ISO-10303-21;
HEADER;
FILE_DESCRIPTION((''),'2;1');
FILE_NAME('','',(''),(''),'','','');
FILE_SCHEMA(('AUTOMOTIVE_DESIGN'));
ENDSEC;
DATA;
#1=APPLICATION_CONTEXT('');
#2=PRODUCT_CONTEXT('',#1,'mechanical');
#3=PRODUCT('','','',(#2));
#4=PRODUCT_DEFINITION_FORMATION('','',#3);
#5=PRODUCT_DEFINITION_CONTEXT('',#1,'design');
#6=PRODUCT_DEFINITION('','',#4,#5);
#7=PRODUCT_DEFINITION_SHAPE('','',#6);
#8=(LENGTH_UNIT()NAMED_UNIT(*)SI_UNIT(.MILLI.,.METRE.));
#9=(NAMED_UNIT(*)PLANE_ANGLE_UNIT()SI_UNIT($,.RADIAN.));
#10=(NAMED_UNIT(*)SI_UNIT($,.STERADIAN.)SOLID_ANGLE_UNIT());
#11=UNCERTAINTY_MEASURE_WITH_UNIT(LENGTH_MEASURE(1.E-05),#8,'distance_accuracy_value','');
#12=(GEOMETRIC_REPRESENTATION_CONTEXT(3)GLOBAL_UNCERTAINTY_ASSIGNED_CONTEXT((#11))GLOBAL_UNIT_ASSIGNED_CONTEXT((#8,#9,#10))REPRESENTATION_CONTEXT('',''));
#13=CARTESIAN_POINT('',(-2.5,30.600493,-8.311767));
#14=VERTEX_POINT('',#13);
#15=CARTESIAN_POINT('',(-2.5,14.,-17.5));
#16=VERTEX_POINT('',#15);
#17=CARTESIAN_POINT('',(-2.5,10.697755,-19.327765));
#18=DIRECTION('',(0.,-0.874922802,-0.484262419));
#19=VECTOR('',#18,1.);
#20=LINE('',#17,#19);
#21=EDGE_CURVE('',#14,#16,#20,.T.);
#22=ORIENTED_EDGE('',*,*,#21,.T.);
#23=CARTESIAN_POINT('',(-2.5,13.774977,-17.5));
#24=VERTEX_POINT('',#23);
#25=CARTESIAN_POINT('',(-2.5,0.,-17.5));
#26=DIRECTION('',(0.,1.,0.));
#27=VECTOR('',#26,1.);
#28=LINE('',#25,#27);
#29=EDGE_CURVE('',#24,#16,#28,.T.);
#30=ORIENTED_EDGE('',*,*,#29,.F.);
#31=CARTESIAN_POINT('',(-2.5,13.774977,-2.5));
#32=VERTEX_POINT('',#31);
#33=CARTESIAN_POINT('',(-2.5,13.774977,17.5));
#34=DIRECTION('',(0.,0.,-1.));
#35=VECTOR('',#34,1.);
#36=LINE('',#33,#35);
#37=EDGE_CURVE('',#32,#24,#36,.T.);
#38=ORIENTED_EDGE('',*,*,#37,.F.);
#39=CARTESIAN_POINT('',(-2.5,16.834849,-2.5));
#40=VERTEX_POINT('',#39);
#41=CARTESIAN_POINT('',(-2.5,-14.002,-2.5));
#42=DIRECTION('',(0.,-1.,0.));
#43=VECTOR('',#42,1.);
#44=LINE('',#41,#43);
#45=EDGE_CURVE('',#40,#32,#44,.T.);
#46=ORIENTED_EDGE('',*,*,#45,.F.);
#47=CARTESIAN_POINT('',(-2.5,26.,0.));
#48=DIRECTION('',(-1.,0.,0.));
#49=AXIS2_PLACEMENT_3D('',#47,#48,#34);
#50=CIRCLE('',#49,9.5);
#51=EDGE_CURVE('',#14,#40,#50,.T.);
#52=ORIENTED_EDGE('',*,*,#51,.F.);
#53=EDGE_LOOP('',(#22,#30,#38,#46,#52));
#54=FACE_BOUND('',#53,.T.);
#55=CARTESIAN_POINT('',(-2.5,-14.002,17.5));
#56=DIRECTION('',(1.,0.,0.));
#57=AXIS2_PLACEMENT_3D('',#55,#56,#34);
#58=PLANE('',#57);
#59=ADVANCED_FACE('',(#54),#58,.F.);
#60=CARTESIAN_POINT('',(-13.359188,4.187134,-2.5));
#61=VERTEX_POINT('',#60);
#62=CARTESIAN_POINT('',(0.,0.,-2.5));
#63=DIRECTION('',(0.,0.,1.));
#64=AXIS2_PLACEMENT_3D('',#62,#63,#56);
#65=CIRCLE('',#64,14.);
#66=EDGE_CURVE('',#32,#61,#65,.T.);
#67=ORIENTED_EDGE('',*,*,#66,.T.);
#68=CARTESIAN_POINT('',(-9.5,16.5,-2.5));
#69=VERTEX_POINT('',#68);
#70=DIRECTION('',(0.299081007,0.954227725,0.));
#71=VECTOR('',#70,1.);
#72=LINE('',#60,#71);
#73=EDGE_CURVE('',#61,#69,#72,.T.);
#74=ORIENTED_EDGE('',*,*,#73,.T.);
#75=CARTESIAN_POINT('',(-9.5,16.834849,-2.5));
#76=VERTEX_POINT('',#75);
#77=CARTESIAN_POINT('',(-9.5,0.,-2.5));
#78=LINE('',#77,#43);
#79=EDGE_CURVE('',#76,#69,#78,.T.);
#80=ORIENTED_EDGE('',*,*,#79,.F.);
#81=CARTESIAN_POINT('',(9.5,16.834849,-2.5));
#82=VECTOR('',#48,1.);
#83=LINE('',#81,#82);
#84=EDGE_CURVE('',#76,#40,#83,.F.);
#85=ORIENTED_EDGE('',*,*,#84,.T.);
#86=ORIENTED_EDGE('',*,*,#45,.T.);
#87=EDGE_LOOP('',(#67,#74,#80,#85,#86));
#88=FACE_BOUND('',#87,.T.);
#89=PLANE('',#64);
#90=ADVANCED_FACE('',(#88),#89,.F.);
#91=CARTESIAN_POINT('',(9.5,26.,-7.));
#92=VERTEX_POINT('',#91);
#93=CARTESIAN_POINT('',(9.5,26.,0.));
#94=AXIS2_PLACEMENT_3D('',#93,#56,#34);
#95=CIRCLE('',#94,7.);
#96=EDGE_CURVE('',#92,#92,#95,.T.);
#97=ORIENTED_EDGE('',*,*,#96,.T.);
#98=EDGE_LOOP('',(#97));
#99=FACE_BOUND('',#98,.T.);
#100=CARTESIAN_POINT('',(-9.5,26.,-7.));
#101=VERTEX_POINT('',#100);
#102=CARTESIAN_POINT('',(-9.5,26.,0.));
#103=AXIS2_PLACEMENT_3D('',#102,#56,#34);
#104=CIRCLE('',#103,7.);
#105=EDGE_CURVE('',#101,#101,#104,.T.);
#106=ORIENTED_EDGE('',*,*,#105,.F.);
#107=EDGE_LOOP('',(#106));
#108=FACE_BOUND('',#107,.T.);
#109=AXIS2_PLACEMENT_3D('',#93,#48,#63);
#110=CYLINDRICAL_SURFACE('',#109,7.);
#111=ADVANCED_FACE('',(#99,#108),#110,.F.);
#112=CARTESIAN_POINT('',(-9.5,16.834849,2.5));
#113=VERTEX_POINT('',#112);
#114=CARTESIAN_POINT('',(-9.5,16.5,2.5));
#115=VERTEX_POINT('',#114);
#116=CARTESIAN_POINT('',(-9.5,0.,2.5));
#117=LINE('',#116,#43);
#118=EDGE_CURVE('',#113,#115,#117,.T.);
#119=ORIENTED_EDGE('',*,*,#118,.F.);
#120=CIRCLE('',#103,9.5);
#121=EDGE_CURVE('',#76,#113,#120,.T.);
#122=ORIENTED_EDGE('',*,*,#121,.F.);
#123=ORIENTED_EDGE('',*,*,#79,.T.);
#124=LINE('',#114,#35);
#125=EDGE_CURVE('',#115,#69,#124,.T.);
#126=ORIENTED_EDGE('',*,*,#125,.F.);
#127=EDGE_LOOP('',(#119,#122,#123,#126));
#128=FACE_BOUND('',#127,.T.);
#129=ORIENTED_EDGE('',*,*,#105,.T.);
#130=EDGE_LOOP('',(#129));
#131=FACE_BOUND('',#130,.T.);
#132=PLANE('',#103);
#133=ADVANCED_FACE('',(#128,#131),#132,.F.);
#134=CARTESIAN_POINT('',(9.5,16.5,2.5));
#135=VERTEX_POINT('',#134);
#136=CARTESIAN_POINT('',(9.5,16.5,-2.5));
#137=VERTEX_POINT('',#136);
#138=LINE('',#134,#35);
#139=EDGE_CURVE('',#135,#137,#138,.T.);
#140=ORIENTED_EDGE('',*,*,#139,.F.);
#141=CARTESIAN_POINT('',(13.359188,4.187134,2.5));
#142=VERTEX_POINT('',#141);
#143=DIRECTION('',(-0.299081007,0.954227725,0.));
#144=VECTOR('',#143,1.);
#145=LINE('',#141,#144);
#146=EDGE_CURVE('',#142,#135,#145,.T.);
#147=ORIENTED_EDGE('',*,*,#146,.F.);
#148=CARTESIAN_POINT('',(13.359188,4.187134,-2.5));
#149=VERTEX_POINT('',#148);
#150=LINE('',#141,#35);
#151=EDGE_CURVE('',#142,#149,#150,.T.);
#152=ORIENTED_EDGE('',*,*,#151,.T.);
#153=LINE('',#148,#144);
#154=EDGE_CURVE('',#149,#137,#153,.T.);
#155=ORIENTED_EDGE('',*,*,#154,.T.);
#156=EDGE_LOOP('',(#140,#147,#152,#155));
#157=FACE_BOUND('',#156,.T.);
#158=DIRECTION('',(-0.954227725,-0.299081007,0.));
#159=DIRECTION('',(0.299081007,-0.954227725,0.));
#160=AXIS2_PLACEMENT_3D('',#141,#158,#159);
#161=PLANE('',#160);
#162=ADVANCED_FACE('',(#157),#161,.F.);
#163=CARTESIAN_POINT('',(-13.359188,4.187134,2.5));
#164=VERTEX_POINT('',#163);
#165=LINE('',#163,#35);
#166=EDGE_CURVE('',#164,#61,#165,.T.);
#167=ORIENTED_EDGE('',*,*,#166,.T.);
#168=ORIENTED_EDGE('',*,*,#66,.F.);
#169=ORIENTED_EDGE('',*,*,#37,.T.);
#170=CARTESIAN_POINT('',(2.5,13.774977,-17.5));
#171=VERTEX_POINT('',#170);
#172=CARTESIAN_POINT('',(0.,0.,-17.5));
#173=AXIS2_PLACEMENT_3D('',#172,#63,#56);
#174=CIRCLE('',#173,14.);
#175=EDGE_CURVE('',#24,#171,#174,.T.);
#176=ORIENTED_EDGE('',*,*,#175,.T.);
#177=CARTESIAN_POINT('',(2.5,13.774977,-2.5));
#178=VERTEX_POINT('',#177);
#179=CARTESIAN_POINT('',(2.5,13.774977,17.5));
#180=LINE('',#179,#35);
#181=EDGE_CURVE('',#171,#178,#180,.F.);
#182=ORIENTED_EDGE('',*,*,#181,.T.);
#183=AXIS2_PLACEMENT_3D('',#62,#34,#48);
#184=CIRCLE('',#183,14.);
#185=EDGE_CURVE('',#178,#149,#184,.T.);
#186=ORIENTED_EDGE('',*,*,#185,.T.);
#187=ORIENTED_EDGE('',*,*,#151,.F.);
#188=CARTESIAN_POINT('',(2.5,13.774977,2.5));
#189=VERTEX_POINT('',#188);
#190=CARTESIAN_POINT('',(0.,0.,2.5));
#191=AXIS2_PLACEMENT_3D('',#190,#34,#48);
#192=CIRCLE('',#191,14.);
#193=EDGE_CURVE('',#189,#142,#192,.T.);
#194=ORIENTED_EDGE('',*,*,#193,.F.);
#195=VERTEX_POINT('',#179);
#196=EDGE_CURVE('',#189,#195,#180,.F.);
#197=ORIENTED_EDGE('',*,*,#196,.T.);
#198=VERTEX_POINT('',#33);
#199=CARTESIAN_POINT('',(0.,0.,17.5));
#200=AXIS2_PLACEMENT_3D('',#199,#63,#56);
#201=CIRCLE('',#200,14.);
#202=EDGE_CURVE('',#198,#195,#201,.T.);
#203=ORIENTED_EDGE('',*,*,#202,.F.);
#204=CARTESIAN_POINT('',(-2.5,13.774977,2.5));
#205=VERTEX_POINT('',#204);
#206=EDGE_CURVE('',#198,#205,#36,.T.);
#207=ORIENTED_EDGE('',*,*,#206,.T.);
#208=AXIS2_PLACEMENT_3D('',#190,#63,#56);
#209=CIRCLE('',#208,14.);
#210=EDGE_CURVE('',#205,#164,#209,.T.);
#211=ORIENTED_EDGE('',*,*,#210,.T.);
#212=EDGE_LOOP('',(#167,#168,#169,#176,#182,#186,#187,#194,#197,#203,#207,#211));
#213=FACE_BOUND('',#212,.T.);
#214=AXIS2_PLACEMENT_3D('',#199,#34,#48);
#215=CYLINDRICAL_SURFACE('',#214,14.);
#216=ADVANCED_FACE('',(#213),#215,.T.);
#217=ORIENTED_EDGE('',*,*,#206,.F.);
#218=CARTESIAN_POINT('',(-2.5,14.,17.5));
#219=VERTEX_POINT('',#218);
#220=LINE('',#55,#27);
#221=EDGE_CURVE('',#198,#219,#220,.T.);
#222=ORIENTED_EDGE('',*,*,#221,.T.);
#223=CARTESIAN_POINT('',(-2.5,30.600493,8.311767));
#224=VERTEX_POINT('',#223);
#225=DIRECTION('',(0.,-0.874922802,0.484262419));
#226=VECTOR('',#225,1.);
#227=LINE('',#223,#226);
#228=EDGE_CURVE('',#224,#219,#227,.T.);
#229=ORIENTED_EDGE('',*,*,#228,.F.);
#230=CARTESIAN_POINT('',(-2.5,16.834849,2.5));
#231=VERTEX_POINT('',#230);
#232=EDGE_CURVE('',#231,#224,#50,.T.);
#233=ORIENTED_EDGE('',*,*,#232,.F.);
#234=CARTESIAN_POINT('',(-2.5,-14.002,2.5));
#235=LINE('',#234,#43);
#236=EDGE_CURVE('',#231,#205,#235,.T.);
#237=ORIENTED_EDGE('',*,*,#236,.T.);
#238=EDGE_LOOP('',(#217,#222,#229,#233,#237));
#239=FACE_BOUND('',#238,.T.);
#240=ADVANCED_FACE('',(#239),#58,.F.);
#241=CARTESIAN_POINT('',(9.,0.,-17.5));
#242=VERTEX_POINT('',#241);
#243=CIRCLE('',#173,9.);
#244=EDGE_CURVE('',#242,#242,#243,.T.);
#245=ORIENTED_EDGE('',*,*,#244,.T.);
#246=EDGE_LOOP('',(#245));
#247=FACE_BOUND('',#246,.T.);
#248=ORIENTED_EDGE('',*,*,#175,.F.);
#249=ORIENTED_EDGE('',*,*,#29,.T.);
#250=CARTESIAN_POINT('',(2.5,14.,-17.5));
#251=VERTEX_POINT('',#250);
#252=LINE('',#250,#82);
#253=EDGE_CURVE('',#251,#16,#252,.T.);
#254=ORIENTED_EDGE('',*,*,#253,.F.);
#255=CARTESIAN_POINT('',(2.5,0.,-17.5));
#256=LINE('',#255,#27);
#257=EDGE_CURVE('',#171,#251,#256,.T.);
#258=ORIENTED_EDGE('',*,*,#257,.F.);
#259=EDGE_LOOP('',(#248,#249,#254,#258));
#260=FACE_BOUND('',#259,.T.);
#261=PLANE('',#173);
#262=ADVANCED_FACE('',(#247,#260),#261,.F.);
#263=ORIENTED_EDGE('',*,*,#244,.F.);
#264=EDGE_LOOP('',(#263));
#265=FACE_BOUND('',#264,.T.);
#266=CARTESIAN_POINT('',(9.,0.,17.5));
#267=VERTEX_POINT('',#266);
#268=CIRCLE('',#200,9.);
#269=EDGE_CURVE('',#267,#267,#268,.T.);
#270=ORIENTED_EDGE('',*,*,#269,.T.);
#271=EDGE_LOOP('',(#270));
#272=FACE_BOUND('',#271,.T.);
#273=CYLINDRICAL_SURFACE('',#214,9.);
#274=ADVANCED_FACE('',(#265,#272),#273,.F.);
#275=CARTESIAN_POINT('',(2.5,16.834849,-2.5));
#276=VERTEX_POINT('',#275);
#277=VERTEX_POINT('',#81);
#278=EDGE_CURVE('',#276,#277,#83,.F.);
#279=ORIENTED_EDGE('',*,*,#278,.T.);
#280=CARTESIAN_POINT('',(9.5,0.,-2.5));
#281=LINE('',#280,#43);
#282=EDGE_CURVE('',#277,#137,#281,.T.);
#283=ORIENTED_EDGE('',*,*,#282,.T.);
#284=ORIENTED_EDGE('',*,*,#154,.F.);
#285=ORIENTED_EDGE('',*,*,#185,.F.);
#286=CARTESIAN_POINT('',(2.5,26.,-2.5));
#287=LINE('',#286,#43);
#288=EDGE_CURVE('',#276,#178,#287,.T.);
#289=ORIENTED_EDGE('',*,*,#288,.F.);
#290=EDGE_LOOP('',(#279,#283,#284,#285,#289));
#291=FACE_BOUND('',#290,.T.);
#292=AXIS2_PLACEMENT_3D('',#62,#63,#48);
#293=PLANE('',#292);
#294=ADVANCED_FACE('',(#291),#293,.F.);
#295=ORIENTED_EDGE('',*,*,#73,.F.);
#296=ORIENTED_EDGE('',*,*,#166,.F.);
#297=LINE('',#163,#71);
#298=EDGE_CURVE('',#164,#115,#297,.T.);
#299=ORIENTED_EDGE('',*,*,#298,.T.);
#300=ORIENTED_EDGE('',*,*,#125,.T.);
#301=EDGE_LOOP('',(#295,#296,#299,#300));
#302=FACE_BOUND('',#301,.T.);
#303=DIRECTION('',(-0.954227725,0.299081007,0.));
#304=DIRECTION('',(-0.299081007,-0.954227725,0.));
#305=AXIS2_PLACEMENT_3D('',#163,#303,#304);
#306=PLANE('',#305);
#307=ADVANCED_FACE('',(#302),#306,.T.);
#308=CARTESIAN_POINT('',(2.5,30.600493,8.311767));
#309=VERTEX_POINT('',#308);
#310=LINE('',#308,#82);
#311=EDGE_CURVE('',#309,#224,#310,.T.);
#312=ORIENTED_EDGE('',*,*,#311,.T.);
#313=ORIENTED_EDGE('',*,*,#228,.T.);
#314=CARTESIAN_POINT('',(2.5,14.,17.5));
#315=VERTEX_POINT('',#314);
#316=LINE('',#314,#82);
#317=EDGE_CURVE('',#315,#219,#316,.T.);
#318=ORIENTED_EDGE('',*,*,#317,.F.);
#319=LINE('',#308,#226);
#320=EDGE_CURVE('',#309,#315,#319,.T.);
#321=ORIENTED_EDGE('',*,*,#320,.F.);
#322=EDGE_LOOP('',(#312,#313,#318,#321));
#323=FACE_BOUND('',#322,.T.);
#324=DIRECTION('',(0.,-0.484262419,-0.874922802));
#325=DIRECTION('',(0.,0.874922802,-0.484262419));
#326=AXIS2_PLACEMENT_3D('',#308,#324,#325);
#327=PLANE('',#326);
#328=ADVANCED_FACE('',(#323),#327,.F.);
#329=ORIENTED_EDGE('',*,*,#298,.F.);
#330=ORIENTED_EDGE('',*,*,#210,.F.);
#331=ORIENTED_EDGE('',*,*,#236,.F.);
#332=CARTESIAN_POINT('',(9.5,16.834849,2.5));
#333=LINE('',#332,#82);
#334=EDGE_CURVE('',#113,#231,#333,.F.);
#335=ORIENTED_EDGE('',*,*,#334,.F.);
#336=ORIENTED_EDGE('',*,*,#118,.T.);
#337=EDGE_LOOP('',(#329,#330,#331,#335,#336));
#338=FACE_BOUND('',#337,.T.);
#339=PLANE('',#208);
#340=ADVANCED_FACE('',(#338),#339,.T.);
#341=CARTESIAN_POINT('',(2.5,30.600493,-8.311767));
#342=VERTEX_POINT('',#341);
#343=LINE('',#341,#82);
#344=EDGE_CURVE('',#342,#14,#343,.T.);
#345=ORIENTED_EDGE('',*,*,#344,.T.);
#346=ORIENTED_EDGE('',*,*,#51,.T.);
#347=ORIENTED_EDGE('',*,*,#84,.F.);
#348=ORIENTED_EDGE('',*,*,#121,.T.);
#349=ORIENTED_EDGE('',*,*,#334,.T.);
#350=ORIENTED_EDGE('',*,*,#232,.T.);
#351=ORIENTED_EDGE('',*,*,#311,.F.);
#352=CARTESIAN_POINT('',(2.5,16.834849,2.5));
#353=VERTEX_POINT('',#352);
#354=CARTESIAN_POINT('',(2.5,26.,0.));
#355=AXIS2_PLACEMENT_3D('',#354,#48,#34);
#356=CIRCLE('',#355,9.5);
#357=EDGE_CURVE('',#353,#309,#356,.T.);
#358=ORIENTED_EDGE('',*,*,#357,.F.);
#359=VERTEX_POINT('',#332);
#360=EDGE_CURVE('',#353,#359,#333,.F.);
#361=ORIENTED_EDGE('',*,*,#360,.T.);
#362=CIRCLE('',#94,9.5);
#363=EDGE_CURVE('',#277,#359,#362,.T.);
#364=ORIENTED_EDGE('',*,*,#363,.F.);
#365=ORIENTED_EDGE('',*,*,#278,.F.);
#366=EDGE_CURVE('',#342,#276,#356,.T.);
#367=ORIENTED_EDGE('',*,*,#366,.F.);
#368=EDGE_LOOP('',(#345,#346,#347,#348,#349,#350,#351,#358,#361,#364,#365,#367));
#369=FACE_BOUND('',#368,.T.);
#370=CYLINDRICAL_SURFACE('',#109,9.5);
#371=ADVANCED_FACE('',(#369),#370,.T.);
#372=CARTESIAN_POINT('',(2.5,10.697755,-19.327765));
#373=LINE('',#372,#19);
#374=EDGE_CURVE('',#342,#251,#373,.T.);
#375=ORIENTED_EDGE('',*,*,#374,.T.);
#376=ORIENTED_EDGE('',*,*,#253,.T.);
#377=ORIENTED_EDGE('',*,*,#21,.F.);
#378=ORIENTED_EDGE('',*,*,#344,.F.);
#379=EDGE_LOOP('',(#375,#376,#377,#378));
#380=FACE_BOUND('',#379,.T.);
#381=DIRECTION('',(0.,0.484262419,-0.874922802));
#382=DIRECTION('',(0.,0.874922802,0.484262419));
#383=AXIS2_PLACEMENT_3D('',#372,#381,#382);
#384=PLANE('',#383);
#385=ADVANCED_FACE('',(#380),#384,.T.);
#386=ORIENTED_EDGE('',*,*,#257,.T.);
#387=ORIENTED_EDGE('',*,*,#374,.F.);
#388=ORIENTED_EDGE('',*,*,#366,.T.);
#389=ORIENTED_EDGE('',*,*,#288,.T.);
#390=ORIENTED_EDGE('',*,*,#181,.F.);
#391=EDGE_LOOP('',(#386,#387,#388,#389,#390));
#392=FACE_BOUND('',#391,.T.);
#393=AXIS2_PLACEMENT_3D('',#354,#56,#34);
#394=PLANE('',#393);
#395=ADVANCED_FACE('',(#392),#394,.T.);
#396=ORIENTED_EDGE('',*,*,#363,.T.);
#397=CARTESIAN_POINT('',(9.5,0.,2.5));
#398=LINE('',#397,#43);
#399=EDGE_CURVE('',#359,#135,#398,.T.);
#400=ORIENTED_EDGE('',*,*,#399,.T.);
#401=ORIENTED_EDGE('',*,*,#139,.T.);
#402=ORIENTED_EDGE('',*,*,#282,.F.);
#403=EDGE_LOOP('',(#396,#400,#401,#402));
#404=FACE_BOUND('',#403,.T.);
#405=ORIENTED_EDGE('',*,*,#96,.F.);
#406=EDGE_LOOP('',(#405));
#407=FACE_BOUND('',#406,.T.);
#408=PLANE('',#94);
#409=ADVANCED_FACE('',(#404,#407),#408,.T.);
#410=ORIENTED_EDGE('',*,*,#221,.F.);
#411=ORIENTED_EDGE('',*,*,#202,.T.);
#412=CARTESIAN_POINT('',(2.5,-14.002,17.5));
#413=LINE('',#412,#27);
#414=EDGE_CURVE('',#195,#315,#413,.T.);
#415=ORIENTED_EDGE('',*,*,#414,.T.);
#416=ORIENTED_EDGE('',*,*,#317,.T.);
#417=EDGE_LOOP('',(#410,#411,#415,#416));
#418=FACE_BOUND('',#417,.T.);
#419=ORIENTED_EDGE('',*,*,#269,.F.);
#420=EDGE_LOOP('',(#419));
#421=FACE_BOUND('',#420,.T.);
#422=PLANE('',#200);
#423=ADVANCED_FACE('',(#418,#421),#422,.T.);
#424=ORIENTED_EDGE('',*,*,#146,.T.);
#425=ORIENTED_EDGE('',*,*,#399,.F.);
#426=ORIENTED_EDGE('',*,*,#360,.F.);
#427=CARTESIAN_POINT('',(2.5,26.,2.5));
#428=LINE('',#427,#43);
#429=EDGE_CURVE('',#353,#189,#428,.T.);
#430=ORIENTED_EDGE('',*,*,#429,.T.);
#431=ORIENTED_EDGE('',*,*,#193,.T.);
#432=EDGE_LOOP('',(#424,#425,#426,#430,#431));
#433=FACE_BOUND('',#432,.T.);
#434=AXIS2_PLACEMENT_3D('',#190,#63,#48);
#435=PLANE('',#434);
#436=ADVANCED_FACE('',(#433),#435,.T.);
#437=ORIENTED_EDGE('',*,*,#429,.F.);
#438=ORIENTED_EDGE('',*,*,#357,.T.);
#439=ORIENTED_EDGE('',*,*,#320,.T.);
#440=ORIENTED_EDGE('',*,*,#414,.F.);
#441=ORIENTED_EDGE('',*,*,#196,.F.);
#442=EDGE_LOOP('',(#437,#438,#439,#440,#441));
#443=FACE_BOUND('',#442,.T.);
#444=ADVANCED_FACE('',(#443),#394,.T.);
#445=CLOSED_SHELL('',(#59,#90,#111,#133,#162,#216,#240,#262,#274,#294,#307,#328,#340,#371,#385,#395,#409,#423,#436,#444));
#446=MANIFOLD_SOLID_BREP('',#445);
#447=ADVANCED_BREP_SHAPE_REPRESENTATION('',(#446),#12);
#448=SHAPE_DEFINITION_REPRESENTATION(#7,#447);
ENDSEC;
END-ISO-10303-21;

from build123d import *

# Parameters (mm, degrees)
SKETCH1_R           = 14
SKETCH1_R_2         = 9
BOSS_EXTRUDE1_DEPTH = 17.5
SKETCH5_R           = 9.5
SKETCH5_R_2         = 7
BOSS_EXTRUDE2_DEPTH = 9.5
BOSS_EXTRUDE3_DEPTH = 2.5
SKETCH7_W           = 5
SKETCH7_H           = 17.5
BOSS_EXTRUDE4_DEPTH = 0.225023
BOSS_EXTRUDE5_DEPTH = 2.5
BOSS_EXTRUDE9_DEPTH = 2.5


with BuildPart() as part:
    # Sketch1 → Boss-Extrude1 (new, symmetric)
    with BuildSketch(Plane.XY):
        Circle(SKETCH1_R)
        Circle(SKETCH1_R_2, mode=Mode.SUBTRACT)
    extrude(amount=BOSS_EXTRUDE1_DEPTH, both=True)



with BuildPart() as body_2:
    # Sketch5 → Boss-Extrude2 (new, symmetric)
    with BuildSketch(Plane(origin=(0, 0, 0), x_dir=(0, 0, -1), z_dir=(1, 0, 0))):
        with Locations((0, 26)):
            Circle(SKETCH5_R)
        with Locations((0, 26)):
            Circle(SKETCH5_R_2, mode=Mode.SUBTRACT)
    extrude(amount=BOSS_EXTRUDE2_DEPTH, both=True)

    # Sketch6 → Boss-Extrude3 (add, symmetric)
    with BuildSketch(Plane(origin=(0, 0, 0), x_dir=(0, 0, -1), z_dir=(1, 0, 0))):
        with BuildLine():
            Line((-8.311766618, 30.600492984), (-17.5, 14))
            Line((-17.5, 14), (0, 14))
            Line((0, 14), (0, 16.5))
            ThreePointArc((0, 16.5), (-8.183968577, 21.175825633), (-8.311766618, 30.600492984))
        make_face()
    extrude(amount=BOSS_EXTRUDE3_DEPTH, both=True)


with BuildPart() as part_1:
    add(part.part)

    add(body_2.part)  # Boss-Extrude4 merges body 2
    # Sketch7 → Boss-Extrude4 (add)
    with BuildSketch(Plane.XZ.offset(-14)):
        with Locations((0, 8.75)):
            Rectangle(SKETCH7_W, SKETCH7_H)
    extrude(amount=BOSS_EXTRUDE4_DEPTH)

    # Sketch8 → Boss-Extrude5 (add, symmetric)
    with BuildSketch(Plane(origin=(0, 0, 0), x_dir=(0, 0, -1), z_dir=(1, 0, 0))):
        with BuildLine():
            Line((17.5, 14), (8.311766618, 30.600492984))
            ThreePointArc((8.311766618, 30.600492984), (9.198146087, 28.375733269), (9.5, 26))
            ThreePointArc((9.5, 26), (6.717514421, 19.282485579), (0, 16.5))
            Line((0, 16.5), (0, 14))
            Line((0, 14), (0, 13.650311759))
            Line((0, 13.650311759), (17.5, 13.650311759))
            Line((17.5, 13.650311759), (17.5, 14))
        make_face()
    extrude(amount=BOSS_EXTRUDE5_DEPTH, both=True)

    # Sketch9 → Boss-Extrude9 (add, symmetric)
    with BuildSketch(Plane.XY):
        with BuildLine():
            ThreePointArc((-13.359188152, 4.187134094), (-8.28794675, 11.283170594), (0, 14))
            Line((0, 14), (0, 16.5))
            Line((0, 16.5), (0, 17.5))
            Line((0, 17.5), (-9.5, 17.5))
            Line((-9.5, 17.5), (-9.5, 16.5))
            Line((-9.5, 16.5), (-13.359188152, 4.187134094))
        make_face()
    boss_extrude9 = extrude(amount=BOSS_EXTRUDE9_DEPTH, both=True)

    # Mirror9: Boss-Extrude9 across plane
    add(boss_extrude9.mirror(Plane(origin=(0, 0, 0), x_dir=(0, 0, 1), z_dir=(1, 0, 0))))


solid = part_1.part
